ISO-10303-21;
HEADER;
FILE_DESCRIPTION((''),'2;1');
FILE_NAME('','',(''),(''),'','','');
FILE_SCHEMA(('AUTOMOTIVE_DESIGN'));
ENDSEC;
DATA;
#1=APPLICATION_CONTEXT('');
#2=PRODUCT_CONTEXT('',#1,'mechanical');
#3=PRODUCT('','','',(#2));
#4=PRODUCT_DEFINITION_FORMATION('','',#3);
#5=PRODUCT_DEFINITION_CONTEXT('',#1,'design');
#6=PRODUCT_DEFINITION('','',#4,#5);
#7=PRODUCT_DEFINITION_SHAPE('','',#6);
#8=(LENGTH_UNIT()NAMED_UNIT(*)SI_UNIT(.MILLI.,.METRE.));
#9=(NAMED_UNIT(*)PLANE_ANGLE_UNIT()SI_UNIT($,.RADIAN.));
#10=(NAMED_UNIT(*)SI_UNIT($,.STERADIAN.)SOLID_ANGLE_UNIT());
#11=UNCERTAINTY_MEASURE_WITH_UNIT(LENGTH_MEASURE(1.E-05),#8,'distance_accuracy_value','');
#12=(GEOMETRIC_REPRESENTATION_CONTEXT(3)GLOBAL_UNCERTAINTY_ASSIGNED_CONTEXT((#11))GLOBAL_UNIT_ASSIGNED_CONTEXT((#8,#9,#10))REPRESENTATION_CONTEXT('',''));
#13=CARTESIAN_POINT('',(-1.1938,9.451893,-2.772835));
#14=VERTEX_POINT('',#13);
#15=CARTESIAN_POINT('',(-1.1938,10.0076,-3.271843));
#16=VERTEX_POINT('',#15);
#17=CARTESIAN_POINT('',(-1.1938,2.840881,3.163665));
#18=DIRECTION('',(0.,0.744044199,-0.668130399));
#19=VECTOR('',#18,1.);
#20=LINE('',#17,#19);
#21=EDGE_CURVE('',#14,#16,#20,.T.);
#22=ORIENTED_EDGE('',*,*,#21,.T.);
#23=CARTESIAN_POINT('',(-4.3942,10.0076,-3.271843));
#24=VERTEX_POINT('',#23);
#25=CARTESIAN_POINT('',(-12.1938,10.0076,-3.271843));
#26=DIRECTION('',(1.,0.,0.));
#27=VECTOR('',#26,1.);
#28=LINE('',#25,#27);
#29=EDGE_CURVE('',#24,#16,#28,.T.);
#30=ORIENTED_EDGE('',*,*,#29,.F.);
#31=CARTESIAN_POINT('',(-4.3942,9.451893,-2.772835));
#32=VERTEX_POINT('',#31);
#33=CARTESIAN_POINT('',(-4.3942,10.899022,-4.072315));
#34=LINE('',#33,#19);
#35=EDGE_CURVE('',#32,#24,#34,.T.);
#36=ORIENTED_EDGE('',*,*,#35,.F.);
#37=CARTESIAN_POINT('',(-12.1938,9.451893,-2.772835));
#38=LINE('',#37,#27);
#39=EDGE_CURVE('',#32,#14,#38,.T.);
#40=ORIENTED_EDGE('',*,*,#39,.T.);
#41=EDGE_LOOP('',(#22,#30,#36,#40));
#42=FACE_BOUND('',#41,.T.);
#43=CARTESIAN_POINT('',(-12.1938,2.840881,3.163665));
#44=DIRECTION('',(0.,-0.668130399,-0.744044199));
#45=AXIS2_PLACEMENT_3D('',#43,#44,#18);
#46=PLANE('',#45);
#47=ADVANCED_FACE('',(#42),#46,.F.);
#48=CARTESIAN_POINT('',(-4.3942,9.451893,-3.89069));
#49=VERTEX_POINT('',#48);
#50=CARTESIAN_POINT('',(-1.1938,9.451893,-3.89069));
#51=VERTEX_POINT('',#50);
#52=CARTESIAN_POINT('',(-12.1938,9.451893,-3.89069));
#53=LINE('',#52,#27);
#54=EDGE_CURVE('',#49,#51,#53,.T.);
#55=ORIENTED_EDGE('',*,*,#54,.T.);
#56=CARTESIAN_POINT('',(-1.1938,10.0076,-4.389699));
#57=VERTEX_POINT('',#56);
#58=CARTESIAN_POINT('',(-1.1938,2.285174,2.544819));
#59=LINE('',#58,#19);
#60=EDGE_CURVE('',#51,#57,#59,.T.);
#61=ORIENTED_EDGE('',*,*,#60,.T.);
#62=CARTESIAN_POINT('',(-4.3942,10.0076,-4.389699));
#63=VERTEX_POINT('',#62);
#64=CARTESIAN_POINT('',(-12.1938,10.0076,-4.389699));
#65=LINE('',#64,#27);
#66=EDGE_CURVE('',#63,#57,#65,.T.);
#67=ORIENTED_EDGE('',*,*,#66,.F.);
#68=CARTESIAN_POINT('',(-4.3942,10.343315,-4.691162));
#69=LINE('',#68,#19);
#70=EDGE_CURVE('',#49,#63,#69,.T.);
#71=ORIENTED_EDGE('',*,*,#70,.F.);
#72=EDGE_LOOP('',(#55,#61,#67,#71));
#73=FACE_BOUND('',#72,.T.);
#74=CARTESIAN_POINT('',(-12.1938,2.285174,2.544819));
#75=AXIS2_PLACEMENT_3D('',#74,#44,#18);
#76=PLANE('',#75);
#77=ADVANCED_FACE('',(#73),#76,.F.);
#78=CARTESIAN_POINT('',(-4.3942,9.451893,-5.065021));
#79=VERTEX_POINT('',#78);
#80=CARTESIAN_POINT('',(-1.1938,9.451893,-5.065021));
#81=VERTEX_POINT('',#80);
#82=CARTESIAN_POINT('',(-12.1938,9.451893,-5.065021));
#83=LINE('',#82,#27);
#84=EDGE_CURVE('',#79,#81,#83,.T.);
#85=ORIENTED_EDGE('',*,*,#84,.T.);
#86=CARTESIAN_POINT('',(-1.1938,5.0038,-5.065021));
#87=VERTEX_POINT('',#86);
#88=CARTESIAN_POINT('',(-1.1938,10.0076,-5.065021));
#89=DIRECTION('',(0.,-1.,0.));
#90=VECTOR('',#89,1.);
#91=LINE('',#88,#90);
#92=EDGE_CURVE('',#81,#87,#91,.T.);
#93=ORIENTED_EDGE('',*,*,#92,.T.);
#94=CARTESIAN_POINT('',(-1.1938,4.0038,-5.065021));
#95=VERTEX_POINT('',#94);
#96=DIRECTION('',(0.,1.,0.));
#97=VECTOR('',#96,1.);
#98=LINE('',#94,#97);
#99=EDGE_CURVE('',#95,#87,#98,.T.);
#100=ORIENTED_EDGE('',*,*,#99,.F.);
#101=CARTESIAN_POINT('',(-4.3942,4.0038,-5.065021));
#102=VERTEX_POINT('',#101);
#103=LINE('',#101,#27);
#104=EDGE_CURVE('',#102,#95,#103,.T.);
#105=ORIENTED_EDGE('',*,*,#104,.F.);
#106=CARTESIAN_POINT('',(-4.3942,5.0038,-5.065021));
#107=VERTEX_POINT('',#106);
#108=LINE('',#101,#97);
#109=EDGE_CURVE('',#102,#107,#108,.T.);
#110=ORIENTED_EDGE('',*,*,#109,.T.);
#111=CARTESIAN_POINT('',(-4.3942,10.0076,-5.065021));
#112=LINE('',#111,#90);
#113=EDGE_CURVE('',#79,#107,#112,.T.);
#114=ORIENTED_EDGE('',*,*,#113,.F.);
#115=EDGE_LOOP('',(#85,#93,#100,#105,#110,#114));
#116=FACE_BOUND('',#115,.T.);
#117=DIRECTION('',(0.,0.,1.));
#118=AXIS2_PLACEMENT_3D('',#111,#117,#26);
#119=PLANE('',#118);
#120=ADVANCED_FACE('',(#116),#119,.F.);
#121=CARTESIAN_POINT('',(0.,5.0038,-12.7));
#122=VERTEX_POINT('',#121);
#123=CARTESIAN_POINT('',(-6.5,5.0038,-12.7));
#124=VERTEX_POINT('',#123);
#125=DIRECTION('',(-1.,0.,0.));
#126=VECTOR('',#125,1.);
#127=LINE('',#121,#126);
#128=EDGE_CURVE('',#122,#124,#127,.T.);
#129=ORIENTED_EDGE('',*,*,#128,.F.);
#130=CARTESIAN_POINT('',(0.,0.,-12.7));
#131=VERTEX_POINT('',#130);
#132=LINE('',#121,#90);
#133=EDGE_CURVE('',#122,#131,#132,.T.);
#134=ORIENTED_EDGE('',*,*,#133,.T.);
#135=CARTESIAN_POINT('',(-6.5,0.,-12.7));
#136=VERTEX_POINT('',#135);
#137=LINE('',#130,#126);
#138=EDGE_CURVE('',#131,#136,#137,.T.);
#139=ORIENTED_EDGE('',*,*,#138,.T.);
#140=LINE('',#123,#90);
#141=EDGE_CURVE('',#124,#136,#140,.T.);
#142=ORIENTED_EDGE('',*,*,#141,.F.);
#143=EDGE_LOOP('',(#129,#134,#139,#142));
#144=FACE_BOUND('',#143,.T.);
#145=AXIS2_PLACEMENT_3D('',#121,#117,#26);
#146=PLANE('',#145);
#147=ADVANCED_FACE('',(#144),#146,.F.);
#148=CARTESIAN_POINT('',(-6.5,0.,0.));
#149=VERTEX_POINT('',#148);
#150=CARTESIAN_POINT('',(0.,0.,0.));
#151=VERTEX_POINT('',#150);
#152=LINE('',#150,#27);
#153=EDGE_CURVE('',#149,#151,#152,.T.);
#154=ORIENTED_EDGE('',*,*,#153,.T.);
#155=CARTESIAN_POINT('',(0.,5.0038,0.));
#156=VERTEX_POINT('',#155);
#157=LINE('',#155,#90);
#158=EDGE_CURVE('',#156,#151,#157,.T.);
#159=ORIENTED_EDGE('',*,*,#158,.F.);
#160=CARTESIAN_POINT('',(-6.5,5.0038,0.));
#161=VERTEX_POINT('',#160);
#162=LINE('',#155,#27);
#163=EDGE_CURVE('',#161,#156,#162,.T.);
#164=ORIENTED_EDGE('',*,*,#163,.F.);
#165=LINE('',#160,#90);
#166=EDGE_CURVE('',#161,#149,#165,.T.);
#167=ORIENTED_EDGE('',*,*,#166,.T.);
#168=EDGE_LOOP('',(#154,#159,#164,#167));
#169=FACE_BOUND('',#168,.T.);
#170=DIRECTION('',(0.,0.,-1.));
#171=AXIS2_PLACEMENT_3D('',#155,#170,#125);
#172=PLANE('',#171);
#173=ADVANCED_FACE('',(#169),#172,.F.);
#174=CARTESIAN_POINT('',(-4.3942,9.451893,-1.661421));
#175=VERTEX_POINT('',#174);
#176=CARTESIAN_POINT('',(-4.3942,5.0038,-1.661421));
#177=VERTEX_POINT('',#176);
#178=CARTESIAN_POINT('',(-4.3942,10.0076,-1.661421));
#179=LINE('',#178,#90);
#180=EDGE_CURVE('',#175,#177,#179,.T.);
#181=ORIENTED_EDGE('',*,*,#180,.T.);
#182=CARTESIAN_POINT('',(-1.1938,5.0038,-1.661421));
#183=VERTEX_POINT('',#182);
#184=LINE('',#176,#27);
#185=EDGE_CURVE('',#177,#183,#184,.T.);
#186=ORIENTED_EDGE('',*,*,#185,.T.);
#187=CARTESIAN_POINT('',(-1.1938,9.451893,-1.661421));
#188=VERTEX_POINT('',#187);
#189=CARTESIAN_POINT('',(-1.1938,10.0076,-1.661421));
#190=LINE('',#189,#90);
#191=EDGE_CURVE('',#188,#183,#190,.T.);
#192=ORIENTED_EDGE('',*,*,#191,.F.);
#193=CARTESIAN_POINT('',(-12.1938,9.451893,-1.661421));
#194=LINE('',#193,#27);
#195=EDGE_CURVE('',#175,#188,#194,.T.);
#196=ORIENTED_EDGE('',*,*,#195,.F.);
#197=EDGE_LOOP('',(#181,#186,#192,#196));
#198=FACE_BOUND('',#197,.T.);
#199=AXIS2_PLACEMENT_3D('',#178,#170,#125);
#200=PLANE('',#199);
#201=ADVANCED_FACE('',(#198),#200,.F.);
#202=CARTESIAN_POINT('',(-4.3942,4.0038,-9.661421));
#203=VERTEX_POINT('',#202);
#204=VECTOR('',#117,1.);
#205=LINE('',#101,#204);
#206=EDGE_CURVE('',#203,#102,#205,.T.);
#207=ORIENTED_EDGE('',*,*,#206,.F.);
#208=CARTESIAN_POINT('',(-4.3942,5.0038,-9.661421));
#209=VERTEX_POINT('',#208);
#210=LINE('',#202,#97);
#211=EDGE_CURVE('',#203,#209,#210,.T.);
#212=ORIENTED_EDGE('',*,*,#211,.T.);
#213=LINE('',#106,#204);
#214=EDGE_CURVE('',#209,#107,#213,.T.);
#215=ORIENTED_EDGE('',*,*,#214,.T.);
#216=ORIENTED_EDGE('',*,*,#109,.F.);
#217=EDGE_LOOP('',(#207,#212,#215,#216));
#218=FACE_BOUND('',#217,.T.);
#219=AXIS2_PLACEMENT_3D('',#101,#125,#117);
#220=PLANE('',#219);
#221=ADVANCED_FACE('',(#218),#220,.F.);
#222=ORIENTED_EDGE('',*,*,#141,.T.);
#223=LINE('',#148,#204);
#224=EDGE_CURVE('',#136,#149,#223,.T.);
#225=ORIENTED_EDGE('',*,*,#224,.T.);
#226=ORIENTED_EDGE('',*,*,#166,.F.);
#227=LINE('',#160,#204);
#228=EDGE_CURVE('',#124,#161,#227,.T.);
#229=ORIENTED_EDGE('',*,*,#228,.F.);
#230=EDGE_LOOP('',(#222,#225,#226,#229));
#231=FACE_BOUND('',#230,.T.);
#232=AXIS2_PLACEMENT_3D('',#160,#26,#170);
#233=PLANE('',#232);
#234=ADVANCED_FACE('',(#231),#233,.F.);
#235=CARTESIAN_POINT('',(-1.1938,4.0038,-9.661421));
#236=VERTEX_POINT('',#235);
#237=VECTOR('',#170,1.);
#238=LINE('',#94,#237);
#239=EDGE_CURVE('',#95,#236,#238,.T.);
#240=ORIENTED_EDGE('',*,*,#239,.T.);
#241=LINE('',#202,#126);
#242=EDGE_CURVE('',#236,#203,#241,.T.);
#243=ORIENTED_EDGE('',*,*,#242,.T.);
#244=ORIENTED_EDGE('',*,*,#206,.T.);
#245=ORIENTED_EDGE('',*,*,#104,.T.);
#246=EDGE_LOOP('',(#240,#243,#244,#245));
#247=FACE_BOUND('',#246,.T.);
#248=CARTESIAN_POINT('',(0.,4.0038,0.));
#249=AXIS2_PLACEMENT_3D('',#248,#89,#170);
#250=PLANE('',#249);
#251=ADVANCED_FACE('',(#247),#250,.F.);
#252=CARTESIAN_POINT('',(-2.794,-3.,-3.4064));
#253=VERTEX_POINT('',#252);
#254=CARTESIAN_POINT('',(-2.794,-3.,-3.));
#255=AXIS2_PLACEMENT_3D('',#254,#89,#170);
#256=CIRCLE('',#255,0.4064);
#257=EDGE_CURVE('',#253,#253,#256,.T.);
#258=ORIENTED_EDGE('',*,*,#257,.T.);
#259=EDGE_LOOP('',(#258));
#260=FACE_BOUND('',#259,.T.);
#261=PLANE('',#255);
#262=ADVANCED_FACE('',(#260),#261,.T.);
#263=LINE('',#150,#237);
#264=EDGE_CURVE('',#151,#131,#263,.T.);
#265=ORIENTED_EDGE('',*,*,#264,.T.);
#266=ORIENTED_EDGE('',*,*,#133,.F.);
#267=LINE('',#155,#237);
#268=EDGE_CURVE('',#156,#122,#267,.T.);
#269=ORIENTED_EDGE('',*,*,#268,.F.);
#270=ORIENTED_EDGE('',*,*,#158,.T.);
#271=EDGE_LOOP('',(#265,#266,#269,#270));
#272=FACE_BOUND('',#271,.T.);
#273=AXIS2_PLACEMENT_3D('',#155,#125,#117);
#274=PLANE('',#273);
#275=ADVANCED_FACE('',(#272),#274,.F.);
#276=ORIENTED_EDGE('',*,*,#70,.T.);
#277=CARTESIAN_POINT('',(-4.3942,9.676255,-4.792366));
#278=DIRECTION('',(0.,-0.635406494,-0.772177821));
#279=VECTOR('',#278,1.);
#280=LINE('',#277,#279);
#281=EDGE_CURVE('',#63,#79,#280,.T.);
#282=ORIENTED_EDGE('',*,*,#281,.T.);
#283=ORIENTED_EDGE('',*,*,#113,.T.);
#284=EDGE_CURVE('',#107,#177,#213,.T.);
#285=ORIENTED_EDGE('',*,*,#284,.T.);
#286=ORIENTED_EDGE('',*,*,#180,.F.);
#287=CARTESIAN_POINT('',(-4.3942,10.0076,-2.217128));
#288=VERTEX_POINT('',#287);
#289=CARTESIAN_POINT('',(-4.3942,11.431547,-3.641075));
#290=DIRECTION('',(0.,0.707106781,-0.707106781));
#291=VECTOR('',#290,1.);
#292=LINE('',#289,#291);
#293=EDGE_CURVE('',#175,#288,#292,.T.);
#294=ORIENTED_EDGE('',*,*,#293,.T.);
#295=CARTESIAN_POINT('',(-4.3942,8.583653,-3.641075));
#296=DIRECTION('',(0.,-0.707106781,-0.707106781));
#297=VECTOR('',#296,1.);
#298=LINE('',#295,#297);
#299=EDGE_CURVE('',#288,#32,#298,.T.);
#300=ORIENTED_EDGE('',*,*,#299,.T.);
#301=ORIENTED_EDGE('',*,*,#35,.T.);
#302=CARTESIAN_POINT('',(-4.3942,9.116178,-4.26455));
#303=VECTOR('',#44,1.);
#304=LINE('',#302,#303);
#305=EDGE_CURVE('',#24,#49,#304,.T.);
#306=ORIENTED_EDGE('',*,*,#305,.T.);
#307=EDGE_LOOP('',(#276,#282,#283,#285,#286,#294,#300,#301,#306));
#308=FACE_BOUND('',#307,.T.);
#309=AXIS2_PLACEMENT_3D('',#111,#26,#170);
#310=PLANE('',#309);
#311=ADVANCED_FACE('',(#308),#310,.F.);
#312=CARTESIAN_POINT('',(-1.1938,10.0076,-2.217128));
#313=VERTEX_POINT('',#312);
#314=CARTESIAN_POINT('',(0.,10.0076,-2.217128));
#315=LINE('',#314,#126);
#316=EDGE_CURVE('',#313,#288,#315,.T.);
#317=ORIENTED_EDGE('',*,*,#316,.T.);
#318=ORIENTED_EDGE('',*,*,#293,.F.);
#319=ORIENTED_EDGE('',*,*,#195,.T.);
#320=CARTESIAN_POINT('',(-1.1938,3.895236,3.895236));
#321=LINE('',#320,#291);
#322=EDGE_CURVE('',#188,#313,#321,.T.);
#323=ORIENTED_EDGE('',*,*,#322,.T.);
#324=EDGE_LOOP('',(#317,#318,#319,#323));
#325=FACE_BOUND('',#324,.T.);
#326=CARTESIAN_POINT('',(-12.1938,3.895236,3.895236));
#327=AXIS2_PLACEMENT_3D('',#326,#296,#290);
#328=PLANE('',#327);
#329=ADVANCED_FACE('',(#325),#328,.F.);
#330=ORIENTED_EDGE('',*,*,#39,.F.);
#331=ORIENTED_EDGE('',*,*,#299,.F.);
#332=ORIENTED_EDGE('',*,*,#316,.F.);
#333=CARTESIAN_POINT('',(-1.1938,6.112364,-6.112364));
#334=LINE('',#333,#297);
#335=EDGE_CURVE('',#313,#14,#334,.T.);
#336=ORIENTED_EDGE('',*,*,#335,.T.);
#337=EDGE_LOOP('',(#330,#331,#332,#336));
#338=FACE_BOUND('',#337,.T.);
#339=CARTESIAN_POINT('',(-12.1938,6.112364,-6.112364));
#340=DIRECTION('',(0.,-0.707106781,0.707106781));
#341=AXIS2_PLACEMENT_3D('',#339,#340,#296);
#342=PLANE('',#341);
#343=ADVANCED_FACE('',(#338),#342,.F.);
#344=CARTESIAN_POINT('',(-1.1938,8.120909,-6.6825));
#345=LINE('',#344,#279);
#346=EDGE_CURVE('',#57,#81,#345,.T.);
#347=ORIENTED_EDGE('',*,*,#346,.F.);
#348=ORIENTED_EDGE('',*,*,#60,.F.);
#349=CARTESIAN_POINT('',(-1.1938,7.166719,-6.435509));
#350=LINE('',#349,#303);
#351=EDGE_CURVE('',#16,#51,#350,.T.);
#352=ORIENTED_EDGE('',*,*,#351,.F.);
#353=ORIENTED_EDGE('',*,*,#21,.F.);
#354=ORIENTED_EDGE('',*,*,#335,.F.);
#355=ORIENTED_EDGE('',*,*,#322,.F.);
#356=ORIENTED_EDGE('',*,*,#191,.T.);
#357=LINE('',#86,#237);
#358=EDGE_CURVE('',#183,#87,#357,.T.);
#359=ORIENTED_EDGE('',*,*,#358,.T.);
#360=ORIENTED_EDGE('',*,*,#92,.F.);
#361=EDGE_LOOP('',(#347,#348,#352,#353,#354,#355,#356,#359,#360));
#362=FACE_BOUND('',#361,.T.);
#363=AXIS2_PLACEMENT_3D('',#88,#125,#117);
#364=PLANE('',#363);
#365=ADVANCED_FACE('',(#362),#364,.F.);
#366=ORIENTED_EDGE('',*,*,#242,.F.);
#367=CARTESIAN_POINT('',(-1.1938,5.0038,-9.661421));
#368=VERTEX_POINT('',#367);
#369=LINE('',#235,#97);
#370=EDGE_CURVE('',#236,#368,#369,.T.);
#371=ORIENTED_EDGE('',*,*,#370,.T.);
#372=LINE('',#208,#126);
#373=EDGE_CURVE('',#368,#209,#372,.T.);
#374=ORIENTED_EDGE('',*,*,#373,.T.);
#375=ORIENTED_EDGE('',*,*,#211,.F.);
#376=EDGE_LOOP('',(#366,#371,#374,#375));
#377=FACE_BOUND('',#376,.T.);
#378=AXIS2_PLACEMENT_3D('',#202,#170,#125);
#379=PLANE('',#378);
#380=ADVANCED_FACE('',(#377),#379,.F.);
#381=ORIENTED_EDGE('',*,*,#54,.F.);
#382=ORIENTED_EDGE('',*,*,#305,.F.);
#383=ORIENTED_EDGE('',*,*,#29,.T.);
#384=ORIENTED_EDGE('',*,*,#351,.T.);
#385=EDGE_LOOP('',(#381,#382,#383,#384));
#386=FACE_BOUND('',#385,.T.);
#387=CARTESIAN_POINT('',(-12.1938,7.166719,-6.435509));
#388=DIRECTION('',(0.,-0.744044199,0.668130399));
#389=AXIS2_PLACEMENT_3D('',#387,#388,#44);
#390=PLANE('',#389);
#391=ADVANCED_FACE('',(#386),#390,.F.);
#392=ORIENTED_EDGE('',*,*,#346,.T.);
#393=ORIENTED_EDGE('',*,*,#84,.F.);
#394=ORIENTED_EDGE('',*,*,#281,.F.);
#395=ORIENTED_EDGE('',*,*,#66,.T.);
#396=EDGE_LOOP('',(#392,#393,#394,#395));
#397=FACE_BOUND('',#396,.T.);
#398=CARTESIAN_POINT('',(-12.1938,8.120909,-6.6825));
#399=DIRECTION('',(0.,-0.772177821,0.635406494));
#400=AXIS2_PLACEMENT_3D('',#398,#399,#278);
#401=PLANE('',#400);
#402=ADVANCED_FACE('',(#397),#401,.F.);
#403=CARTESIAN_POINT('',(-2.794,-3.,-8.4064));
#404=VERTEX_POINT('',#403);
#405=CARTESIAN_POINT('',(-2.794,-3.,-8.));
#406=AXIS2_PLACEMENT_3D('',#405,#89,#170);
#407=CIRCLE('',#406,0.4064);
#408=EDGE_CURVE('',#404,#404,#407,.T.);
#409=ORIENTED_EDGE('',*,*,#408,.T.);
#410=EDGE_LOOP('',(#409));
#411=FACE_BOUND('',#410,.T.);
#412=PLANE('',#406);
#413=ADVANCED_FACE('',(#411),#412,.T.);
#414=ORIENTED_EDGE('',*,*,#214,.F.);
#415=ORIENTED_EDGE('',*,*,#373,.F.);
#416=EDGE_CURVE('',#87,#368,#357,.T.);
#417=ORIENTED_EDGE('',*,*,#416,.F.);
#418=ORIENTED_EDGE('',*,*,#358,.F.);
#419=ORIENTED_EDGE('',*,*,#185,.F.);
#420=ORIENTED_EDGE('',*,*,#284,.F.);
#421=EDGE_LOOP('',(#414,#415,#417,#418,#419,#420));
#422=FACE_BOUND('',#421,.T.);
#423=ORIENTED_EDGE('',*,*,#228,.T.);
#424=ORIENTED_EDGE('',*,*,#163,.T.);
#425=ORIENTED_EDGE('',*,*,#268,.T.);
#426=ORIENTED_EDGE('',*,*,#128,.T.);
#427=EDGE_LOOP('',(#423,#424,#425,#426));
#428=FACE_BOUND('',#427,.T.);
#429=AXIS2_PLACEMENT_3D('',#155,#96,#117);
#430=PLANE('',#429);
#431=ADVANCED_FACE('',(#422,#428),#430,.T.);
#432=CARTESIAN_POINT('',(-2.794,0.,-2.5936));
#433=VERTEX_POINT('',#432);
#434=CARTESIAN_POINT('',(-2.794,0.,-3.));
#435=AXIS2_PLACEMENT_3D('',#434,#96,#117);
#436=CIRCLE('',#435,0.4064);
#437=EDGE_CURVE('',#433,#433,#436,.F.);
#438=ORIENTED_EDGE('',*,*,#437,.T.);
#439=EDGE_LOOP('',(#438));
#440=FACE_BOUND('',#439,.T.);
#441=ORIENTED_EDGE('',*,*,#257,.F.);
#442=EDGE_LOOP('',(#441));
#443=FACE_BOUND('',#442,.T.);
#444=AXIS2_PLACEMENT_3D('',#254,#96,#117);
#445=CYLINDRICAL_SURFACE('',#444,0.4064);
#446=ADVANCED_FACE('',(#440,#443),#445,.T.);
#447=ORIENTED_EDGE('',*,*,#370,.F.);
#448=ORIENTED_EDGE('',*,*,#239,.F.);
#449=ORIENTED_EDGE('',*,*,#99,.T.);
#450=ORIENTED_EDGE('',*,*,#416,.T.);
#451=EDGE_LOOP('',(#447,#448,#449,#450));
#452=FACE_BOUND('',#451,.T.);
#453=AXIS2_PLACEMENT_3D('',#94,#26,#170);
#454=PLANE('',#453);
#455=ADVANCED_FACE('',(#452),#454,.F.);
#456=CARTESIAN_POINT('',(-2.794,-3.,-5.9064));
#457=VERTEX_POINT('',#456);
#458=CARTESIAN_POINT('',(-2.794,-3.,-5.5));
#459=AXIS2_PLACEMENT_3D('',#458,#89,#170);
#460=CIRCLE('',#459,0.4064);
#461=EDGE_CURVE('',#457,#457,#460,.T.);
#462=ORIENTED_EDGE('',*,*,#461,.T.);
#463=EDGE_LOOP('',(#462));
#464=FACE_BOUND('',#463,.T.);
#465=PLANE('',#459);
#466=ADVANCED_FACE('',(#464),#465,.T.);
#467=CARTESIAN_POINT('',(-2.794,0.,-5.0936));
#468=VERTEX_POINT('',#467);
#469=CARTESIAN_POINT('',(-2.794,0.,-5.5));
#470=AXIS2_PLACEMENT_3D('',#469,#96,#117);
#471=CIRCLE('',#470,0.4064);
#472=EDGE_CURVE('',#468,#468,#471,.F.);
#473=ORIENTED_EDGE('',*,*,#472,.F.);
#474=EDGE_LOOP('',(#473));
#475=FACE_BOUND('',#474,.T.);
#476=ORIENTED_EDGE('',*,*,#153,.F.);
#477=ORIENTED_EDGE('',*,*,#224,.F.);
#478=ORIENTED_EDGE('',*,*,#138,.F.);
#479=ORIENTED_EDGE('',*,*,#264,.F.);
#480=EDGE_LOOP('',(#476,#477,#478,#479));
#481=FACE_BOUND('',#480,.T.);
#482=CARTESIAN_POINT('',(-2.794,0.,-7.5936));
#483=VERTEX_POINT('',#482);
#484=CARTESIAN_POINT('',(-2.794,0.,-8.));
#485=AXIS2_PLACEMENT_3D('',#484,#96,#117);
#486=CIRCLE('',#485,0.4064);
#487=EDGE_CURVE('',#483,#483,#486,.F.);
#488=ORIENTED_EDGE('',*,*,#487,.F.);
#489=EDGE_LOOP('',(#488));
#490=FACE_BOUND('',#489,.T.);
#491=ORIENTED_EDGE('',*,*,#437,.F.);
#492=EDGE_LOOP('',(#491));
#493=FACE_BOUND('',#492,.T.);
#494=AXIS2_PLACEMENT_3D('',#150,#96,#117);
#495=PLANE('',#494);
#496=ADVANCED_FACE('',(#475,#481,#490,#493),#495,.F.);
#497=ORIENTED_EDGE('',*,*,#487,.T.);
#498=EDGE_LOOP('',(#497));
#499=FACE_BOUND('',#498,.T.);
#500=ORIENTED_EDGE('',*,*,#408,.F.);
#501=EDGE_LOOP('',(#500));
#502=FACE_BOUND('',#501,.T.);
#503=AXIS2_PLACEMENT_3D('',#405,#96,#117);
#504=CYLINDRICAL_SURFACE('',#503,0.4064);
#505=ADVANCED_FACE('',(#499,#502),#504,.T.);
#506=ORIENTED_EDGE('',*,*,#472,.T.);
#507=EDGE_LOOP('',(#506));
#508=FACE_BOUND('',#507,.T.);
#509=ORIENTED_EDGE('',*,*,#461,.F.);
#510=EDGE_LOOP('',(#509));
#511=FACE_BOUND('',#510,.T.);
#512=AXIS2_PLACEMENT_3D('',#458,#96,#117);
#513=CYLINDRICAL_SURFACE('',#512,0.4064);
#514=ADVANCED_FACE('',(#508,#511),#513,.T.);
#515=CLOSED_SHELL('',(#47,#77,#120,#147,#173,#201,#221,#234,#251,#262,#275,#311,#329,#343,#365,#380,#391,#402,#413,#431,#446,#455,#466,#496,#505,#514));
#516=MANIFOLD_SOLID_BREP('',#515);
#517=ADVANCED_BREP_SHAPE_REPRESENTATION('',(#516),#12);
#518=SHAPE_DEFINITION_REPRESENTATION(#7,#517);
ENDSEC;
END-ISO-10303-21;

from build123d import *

# Parameters (mm, degrees)
SKETCH1_W           = 6.5
SKETCH1_H           = 12.7
BOSS_EXTRUDE1_DEPTH = 5.0038
SKETCH2_W           = 3.2004
SKETCH2_H           = 3.4036
BOSS_EXTRUDE2_DEPTH = 5.0038
SKETCH3_W           = 3.2004
SKETCH3_H           = 4.5964
CUT_EXTRUDE1_DEPTH  = 1
CUT_EXTRUDE2_DEPTH  = 11
SKETCH5_R           = 0.4064
BOSS_EXTRUDE3_DEPTH = 3


with BuildPart() as part:
    # Sketch1 → Boss-Extrude1 (new body)
    with BuildSketch(Plane(origin=(0, 0, 0), x_dir=(1, 0, 0), z_dir=(0, 1, 0))):
        with Locations((-3.25, 6.35)):
            Rectangle(SKETCH1_W, SKETCH1_H)
    extrude(amount=BOSS_EXTRUDE1_DEPTH)

    # Sketch2 → Boss-Extrude2 (add)
    with BuildSketch(Plane(origin=(0, 5.0038, 0), x_dir=(1, 0, 0), z_dir=(0, 1, 0))):
        with Locations((-2.794, 3.363221349)):
            Rectangle(SKETCH2_W, SKETCH2_H)
    extrude(amount=BOSS_EXTRUDE2_DEPTH)

    # Sketch3 → Cut-Extrude1 (cut)
    with BuildSketch(Plane(origin=(0, 5.0038, 0), x_dir=(1, 0, 0), z_dir=(0, 1, 0))):
        with Locations((-2.794, 7.363221349)):
            Rectangle(SKETCH3_W, SKETCH3_H)
    extrude(amount=-CUT_EXTRUDE1_DEPTH, mode=Mode.SUBTRACT)

    # Sketch4 → Cut-Extrude2 (cut)
    with BuildSketch(Plane(origin=(-1.1938, 0, 0), x_dir=(0, 0, -1), z_dir=(1, 0, 0))):
        Polygon((1.661421349, 10.0076), (1.661421349, 9.45189334), (2.217128008, 10.0076), align=None)
        Polygon((3.271843346, 10.0076), (2.217128008, 10.0076), (2.772834668, 9.45189334), align=None)
        Polygon((4.38969876, 10.0076), (3.271843346, 10.0076), (3.890690082, 9.45189334), align=None)
        Polygon((5.065021349, 10.0076), (4.38969876, 10.0076), (5.065021349, 9.45189334), align=None)
    extrude(amount=-CUT_EXTRUDE2_DEPTH, mode=Mode.SUBTRACT)

    # Sketch5 → Boss-Extrude3 (add)
    with BuildSketch(Plane(origin=(0, 0, 0), x_dir=(-1, 0, 0), z_dir=(0, -1, 0))):
        with Locations(Location((2.794, 3, 0), (0, 0, 270))):
            Circle(SKETCH5_R)
        with Locations(Location((2.794, 5.5, 0), (0, 0, 270))):
            Circle(SKETCH5_R)
        with Locations(Location((2.794, 8, 0), (0, 0, 270))):
            Circle(SKETCH5_R)
    extrude(amount=BOSS_EXTRUDE3_DEPTH)


solid = part.part
